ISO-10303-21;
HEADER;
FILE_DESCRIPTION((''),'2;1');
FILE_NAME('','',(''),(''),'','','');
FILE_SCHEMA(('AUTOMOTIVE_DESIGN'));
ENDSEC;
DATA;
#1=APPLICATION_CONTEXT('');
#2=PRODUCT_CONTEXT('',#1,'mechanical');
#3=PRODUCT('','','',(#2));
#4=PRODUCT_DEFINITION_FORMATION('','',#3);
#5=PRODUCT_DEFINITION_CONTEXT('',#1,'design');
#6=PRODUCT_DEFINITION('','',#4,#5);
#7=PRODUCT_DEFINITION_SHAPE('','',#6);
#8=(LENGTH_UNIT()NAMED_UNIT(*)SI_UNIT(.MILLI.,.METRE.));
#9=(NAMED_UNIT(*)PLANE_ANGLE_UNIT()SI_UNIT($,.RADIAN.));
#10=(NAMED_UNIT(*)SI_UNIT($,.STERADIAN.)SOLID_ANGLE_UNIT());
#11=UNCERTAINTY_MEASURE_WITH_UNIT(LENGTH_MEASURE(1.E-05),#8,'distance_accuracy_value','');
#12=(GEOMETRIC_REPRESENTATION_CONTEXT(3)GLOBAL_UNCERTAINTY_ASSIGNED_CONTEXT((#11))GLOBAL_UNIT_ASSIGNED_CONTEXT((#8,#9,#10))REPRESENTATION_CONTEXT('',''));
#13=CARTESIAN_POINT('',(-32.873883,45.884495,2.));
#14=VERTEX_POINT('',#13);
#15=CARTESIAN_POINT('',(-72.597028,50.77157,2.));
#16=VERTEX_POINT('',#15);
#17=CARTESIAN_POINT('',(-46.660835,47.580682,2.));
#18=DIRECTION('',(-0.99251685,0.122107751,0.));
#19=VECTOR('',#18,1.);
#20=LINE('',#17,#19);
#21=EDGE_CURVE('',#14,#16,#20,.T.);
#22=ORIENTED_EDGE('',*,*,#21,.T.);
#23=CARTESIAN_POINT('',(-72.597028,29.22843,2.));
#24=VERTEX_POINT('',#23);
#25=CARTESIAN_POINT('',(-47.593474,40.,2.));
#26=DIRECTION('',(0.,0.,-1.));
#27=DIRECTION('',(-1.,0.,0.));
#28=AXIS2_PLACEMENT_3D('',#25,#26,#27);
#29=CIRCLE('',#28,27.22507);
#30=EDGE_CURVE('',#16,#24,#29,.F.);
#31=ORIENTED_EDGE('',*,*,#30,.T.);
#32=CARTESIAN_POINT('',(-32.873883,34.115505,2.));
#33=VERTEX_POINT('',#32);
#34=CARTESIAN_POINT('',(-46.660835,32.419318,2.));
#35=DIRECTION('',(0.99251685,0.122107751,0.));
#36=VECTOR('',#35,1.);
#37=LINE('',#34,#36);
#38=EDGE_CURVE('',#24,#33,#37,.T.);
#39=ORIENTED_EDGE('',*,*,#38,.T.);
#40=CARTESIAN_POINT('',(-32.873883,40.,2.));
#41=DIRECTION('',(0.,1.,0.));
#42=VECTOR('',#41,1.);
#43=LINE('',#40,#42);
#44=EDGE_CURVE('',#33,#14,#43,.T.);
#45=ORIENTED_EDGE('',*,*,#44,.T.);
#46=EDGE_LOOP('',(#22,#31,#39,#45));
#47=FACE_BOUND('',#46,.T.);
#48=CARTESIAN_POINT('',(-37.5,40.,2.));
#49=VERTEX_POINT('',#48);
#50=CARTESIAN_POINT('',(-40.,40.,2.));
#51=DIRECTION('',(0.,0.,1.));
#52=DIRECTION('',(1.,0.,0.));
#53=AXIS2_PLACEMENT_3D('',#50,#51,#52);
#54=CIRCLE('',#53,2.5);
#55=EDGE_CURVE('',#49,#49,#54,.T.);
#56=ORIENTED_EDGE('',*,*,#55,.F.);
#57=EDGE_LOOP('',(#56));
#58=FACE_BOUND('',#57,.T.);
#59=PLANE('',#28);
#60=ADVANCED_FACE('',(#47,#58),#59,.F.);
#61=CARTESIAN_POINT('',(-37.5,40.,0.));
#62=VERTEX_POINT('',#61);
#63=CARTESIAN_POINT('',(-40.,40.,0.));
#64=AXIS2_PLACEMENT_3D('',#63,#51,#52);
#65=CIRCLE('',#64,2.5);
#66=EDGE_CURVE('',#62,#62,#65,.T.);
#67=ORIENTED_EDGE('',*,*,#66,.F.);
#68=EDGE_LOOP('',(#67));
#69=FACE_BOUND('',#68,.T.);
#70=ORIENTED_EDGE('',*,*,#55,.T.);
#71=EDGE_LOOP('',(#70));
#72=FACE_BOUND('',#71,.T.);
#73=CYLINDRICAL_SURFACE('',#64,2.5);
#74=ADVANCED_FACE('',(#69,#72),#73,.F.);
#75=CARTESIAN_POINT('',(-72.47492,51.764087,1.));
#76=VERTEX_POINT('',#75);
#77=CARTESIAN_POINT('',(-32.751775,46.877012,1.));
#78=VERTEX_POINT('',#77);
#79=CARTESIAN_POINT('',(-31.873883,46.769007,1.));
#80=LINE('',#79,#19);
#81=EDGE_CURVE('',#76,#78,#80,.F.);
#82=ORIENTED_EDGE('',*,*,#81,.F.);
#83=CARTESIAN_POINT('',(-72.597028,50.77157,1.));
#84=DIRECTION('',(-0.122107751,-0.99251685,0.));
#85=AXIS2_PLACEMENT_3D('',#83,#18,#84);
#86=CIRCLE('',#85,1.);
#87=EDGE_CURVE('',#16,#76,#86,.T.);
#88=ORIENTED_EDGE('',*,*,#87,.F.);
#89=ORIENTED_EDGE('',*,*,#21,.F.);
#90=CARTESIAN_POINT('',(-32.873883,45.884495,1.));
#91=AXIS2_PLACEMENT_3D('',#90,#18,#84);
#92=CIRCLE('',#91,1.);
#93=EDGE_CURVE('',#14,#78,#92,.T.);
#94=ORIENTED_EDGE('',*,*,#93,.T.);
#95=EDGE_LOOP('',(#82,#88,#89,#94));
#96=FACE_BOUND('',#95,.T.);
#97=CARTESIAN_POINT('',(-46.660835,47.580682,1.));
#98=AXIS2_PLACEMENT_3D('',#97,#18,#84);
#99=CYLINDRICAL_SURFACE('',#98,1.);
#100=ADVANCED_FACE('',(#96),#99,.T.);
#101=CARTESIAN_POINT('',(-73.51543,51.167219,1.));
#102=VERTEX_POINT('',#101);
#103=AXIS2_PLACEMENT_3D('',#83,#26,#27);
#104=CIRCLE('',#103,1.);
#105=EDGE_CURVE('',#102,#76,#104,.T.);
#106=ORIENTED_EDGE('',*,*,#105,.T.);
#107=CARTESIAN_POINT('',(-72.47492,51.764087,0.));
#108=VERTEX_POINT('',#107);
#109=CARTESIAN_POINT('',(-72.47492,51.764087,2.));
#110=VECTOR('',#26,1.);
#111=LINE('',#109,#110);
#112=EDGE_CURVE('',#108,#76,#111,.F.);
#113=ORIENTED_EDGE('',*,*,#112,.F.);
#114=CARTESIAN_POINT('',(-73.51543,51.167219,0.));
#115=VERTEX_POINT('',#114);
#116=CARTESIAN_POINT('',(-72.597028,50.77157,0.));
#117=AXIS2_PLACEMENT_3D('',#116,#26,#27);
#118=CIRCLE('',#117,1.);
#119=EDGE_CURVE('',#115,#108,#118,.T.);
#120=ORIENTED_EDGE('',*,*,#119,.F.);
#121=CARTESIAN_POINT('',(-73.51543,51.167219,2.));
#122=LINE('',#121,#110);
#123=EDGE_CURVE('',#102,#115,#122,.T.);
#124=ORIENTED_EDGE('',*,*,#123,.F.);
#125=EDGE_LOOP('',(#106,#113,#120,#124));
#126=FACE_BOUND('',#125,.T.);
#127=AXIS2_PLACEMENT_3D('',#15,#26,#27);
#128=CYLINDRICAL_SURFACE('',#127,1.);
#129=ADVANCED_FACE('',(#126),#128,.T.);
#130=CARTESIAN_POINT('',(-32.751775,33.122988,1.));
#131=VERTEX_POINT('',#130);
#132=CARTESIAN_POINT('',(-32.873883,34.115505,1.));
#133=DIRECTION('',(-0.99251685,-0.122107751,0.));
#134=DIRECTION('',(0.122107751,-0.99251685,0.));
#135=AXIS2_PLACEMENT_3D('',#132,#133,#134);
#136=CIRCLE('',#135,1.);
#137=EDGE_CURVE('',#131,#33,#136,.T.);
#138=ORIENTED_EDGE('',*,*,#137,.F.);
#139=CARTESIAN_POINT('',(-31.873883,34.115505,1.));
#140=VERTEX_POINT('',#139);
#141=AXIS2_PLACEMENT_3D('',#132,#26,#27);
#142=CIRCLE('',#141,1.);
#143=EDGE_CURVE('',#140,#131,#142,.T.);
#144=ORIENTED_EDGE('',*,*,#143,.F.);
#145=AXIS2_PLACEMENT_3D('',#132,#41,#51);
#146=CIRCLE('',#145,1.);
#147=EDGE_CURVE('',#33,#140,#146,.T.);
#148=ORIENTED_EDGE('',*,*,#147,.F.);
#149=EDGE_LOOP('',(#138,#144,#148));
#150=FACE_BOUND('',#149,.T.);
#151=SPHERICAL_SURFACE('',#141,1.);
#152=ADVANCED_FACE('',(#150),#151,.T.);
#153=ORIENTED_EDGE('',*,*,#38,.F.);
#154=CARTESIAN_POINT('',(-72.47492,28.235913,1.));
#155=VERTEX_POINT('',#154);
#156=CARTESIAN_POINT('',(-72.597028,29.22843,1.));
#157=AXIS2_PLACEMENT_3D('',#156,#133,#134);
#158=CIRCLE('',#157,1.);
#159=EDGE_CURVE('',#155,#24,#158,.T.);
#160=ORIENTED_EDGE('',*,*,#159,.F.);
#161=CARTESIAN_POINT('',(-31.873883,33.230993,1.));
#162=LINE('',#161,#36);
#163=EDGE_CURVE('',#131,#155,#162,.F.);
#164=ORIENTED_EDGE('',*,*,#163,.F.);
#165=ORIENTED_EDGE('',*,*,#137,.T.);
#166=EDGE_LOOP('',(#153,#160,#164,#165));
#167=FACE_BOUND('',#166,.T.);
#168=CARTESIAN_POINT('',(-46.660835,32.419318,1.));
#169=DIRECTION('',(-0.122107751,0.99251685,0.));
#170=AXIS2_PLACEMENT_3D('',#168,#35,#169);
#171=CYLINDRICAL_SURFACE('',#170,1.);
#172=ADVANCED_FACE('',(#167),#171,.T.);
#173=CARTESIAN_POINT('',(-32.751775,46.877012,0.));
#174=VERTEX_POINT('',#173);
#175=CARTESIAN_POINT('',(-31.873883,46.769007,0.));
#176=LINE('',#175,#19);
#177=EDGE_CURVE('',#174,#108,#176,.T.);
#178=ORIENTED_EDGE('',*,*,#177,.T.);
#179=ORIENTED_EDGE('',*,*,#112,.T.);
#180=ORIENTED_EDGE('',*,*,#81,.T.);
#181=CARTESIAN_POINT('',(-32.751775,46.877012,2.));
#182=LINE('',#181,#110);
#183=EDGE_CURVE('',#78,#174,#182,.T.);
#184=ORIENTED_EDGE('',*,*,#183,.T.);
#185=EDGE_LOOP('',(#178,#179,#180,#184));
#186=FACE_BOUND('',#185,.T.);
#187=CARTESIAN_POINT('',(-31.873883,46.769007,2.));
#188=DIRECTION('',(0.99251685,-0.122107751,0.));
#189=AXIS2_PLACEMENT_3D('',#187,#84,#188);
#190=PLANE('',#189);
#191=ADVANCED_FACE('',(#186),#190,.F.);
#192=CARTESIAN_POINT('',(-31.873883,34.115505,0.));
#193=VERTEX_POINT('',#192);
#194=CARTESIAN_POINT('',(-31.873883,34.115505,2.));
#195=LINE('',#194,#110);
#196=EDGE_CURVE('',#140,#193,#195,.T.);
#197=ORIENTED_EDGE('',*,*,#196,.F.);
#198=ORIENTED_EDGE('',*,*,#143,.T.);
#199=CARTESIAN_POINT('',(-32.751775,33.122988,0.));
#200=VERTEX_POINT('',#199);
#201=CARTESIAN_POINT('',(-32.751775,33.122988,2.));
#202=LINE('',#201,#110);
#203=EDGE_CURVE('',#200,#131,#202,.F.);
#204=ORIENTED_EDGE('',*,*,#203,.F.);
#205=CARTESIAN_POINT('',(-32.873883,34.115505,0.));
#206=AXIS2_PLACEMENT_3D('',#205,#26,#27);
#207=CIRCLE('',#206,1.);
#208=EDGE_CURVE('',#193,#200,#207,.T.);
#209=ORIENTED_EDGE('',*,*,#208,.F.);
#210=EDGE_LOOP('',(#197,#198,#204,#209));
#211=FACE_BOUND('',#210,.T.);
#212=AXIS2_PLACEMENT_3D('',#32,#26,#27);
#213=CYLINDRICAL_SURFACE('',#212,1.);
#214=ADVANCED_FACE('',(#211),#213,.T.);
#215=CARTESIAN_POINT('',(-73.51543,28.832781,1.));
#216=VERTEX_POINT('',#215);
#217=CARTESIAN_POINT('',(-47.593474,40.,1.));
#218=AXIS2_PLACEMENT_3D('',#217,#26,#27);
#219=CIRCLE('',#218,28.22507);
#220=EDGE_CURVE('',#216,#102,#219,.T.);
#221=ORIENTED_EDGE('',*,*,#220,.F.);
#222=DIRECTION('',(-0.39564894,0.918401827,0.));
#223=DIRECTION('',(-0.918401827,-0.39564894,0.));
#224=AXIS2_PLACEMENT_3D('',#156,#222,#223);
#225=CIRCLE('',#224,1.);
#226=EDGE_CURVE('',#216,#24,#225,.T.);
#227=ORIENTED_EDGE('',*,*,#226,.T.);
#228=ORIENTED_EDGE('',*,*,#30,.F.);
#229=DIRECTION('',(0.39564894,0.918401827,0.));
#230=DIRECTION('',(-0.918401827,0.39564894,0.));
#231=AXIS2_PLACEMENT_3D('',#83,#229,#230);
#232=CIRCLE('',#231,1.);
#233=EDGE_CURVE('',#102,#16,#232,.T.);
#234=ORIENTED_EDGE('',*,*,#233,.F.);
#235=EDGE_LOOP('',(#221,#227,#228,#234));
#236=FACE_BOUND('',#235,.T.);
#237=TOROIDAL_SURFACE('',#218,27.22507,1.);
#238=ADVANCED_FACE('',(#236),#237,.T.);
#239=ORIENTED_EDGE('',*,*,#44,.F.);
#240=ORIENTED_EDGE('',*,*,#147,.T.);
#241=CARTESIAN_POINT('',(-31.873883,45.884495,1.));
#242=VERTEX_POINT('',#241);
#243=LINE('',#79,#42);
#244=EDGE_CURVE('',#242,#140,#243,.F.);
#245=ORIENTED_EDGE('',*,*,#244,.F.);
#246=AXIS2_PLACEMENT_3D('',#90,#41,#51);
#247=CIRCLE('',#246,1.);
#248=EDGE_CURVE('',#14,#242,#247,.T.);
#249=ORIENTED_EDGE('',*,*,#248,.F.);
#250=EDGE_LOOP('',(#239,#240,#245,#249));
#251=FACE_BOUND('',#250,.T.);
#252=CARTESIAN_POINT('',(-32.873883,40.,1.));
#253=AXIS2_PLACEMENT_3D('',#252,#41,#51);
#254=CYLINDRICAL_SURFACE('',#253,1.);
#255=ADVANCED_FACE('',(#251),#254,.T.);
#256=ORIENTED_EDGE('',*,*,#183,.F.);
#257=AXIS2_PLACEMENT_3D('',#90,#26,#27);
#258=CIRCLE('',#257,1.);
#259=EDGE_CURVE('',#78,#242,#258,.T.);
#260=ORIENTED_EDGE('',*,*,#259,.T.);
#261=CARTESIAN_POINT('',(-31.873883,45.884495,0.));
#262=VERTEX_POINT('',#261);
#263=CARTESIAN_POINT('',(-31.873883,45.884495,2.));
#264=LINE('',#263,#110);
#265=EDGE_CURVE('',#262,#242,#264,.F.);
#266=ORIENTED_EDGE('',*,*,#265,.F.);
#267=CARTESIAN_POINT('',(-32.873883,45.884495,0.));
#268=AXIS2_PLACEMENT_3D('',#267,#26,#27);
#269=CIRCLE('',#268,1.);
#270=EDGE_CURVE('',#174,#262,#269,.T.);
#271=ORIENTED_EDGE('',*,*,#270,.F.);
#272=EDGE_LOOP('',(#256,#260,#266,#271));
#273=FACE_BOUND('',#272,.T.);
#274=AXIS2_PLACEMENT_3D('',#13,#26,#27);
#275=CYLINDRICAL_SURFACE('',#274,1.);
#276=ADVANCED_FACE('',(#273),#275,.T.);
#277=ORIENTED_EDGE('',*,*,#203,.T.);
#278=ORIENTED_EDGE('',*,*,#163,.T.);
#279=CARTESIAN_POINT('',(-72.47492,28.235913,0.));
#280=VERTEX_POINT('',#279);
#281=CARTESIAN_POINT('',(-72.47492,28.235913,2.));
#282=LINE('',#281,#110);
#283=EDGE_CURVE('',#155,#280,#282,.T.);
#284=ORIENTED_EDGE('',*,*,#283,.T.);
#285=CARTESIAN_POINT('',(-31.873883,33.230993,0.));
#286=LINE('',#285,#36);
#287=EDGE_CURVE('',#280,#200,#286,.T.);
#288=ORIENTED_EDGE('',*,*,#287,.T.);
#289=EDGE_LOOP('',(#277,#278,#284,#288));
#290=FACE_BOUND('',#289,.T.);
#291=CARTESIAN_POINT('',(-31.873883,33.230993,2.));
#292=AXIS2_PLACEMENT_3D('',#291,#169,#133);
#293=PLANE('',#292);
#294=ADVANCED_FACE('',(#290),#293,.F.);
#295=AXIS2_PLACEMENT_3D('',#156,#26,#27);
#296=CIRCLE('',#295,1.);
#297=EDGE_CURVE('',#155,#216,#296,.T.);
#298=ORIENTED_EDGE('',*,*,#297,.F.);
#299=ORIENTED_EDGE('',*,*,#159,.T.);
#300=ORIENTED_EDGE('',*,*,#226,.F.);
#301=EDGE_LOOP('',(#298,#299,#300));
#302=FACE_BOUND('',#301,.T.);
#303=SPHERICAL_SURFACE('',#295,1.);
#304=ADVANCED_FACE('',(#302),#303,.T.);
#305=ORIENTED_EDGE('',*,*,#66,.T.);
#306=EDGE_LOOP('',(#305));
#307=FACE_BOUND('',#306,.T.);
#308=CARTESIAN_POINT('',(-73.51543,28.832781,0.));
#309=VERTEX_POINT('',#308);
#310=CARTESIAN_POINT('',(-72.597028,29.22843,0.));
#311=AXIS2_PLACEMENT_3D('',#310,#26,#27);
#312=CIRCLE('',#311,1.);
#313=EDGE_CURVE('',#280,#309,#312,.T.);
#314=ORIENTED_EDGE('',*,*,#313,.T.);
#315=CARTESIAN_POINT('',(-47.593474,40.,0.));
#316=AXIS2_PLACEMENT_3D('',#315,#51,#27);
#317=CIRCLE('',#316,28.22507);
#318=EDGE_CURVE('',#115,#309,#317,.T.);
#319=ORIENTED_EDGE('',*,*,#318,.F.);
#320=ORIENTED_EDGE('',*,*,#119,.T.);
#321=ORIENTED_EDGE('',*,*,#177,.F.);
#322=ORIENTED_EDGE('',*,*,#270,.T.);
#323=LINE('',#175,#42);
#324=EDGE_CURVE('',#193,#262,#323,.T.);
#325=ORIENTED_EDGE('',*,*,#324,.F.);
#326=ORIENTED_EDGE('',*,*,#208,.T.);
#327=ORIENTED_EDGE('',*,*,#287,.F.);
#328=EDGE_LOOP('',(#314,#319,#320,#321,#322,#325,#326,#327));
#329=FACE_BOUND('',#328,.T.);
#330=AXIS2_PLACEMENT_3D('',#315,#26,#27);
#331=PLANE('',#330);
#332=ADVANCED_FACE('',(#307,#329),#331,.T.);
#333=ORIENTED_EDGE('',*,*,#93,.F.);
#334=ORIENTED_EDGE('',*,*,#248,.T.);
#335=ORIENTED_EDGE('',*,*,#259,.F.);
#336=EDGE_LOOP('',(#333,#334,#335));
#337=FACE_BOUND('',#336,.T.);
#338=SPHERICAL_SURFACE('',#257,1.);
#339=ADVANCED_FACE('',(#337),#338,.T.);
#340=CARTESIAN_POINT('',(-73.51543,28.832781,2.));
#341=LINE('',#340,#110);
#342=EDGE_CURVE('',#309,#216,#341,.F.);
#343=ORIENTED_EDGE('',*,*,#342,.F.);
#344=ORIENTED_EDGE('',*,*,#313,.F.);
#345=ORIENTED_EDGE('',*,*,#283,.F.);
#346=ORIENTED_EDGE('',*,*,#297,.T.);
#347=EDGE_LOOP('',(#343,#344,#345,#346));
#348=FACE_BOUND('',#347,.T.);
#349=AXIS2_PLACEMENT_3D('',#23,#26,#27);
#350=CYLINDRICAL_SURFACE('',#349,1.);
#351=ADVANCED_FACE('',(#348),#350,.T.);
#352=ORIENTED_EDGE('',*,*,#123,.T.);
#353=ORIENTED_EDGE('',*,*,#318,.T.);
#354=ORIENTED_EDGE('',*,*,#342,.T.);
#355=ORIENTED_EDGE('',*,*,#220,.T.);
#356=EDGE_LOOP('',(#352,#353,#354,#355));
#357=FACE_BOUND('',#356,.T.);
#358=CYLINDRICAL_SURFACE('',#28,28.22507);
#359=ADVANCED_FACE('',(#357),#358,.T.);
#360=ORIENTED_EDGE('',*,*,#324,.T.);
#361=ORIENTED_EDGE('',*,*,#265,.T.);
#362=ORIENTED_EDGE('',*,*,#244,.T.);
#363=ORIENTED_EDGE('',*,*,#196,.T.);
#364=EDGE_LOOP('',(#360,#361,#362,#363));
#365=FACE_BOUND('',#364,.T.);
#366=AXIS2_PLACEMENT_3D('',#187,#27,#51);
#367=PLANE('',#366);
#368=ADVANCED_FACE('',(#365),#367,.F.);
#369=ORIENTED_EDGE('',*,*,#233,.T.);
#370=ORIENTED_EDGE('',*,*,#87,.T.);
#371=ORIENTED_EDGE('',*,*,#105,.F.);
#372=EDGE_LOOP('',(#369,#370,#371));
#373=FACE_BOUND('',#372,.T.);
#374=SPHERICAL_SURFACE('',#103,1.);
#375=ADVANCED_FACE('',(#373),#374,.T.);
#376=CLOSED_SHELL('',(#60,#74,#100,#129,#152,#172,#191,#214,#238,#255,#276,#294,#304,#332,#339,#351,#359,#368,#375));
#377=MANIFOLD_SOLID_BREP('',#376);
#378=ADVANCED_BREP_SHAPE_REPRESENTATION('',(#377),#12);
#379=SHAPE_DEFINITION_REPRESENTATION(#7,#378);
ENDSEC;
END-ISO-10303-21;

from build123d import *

# Parameters (mm, degrees)
BOSS_EXTRUDE1_DEPTH = 2
FILLET1_R           = 1
FILLET2_R           = 1
SKETCH2_R           = 2.5
CUT_EXTRUDE2_DEPTH  = 2


with BuildPart() as part:
    # Sketch1 → Boss-Extrude1 (new body)
    with BuildSketch(Plane.XY):
        with BuildLine():
            Line((-31.873882869, 46.769006648), (-31.873882869, 33.230993352))
            Line((-31.873882869, 33.230993352), (-73.208494435, 28.145662592))
            ThreePointArc((-73.208494435, 28.145662592), (-75.8185442, 40), (-73.208494435, 51.854337408))
            Line((-73.208494435, 51.854337408), (-31.873882869, 46.769006648))
        make_face()
    extrude(amount=BOSS_EXTRUDE1_DEPTH)

    # Fillet1
    fillet1_edges = [part.edges().sort_by_distance(p)[0] for p in [
        (-73.208494435, 51.854337408, 1),
        (-31.873882869, 46.769006648, 1),
        (-31.873882869, 33.230993352, 1),
        (-73.208494435, 28.145662592, 1),
    ]]
    fillet(fillet1_edges, radius=FILLET1_R)

    # Fillet2
    fillet2_edges = [part.edges().sort_by_distance(p)[0] for p in [
        (-52.613347795, 30.679450349, 2),
        (-75.8185442, 40, 2),
        (-31.873882869, 40, 2),
        (-52.613347795, 49.320549651, 2),
        (-32.124847572, 33.452974438, 2),
        (-32.124847572, 46.547025562, 2),
        (-73.094606247, 51.638989358, 2),
        (-73.094606247, 28.361010642, 2),
    ]]
    fillet(fillet2_edges, radius=FILLET2_R)

    # Sketch2 → Cut-Extrude2 (cut)
    with BuildSketch(Plane.XY.offset(2)):
        with Locations((-40, 40)):
            Circle(SKETCH2_R)
    extrude(amount=-CUT_EXTRUDE2_DEPTH, mode=Mode.SUBTRACT)


solid = part.part
